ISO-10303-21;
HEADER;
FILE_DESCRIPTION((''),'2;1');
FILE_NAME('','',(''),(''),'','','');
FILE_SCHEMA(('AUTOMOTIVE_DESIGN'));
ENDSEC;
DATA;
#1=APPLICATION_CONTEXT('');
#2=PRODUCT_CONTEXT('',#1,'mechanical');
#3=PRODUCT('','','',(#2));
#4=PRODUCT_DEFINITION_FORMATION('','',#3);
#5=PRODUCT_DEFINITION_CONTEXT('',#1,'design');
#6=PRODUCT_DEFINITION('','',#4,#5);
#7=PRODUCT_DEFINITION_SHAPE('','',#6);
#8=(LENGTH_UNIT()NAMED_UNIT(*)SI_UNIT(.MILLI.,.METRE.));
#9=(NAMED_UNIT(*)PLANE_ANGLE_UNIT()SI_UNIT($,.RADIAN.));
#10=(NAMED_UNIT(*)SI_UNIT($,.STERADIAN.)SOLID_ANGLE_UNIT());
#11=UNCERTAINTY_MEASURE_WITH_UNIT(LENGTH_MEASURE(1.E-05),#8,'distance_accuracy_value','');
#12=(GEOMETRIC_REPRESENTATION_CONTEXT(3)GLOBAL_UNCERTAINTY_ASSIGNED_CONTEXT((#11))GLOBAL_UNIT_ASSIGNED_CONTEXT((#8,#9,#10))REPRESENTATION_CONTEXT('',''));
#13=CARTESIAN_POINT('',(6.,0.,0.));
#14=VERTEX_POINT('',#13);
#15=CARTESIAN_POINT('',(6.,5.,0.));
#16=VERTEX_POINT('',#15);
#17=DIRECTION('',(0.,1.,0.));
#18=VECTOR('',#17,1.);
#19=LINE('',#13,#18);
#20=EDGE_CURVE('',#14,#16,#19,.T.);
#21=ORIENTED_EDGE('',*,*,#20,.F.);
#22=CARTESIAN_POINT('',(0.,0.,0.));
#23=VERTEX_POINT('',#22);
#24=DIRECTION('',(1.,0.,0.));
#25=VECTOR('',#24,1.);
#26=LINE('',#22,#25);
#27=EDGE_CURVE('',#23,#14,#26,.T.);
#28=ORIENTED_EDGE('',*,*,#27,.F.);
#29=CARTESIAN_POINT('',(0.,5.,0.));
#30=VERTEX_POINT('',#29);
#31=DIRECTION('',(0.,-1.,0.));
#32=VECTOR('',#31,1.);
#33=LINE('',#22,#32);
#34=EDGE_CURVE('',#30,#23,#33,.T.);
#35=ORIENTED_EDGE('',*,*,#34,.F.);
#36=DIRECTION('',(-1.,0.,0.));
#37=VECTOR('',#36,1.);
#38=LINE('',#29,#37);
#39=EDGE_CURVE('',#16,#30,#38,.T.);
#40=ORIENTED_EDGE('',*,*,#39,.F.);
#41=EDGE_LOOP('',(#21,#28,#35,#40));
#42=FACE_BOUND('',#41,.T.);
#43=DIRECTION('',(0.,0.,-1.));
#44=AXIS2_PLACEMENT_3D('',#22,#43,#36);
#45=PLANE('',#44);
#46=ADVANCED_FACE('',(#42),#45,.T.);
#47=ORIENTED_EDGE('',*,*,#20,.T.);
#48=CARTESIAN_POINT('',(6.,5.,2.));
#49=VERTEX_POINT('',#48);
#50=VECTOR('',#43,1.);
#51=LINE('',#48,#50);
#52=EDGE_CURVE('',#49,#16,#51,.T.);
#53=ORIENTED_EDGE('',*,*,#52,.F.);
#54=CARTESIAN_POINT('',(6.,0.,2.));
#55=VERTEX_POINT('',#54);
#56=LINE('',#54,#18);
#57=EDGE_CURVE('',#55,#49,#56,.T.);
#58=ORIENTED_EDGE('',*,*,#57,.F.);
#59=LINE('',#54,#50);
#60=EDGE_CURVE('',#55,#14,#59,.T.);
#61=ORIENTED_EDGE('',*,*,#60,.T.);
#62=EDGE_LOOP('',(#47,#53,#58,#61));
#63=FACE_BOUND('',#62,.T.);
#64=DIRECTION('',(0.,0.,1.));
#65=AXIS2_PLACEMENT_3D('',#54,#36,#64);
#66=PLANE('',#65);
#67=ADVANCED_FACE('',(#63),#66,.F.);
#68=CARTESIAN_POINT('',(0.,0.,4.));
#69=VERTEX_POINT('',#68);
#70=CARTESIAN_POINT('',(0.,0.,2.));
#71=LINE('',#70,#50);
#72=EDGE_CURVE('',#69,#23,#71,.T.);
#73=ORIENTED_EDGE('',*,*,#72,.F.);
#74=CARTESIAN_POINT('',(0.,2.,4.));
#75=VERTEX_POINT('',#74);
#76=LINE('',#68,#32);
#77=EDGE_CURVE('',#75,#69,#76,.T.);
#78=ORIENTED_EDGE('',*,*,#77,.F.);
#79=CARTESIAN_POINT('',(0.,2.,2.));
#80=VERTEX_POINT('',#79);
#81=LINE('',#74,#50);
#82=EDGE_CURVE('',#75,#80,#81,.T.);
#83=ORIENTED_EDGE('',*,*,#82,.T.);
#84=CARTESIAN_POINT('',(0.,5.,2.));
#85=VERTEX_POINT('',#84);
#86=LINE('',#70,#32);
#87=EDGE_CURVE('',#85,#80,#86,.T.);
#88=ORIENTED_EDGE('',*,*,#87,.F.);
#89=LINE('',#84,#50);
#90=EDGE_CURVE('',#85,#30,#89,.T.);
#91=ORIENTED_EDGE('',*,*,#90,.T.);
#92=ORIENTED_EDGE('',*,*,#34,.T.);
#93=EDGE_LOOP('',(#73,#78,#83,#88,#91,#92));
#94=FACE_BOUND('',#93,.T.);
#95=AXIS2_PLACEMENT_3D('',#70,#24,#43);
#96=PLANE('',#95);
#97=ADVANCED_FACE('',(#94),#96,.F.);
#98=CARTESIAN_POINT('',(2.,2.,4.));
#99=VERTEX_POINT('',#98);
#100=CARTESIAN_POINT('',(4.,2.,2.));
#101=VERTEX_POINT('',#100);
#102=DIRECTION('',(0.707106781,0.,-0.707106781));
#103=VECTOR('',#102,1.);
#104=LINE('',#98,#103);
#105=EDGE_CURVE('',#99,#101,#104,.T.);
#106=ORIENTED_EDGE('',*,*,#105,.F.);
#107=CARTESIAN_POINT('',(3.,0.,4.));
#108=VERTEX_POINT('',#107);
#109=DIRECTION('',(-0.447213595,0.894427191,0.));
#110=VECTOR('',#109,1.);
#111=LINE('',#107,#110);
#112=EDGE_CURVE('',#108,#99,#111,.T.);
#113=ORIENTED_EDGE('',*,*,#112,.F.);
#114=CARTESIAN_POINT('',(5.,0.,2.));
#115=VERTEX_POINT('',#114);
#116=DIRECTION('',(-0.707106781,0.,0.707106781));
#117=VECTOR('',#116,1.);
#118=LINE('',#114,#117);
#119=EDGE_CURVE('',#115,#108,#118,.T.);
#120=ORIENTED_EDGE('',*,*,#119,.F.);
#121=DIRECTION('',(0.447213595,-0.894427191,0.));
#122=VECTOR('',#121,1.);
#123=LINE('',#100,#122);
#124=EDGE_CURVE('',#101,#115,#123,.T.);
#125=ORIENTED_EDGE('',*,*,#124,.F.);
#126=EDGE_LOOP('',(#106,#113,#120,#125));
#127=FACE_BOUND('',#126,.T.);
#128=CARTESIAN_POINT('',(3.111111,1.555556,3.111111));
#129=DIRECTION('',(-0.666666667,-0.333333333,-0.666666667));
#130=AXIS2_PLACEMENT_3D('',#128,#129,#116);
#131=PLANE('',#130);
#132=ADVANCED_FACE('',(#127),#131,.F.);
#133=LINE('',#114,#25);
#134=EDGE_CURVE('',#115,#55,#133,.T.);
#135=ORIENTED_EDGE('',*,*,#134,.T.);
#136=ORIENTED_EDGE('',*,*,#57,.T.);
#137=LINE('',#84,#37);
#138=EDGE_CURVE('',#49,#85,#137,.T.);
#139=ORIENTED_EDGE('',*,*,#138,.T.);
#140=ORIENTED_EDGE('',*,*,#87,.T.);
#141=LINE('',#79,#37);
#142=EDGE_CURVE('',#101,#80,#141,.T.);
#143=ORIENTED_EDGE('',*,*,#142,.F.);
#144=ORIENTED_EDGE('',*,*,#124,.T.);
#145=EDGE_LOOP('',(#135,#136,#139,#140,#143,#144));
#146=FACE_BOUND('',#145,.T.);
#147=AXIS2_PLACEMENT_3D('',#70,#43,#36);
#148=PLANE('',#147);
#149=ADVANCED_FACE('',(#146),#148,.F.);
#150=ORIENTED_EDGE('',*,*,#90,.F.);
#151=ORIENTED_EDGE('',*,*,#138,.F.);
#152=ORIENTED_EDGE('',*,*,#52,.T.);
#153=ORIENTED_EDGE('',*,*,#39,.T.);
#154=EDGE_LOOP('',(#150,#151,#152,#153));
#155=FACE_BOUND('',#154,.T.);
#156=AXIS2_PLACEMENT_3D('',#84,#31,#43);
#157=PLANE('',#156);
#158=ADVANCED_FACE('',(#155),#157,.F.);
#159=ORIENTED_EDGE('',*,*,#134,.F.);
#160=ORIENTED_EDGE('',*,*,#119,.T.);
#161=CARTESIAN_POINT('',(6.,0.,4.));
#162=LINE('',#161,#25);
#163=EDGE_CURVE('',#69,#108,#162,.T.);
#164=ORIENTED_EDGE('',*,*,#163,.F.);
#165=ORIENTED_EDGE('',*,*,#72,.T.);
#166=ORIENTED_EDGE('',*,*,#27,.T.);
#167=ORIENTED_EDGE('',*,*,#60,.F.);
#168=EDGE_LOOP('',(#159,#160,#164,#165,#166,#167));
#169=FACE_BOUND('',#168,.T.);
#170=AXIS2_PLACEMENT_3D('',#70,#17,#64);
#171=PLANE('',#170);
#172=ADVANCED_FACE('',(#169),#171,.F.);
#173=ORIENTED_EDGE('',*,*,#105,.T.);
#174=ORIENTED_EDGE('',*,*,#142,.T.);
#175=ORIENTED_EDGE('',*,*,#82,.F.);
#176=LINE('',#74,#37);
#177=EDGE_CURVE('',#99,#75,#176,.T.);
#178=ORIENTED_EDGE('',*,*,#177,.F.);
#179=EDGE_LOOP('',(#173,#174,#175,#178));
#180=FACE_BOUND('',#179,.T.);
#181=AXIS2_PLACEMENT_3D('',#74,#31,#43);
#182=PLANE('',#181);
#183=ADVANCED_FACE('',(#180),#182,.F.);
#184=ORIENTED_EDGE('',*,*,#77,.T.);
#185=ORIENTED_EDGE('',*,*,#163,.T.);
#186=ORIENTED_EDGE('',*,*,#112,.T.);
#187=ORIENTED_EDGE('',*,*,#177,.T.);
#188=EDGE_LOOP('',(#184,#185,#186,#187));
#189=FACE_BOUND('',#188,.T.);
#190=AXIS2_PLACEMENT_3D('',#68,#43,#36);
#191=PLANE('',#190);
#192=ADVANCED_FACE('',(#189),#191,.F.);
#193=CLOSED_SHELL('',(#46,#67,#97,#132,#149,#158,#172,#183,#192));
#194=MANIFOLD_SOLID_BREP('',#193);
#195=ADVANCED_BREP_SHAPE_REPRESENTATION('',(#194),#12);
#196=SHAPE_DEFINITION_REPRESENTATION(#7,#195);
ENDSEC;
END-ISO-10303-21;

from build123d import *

# Parameters (mm, degrees)
SKETCH1_W           = 6
SKETCH1_H           = 5
BOSS_EXTRUDE1_DEPTH = 2
BOSS_EXTRUDE2_DEPTH = 2
CUT_EXTRUDE1_DEPTH  = 10


with BuildPart() as part:
    # Sketch1 → Boss-Extrude1 (new body)
    with BuildSketch(Plane.XY):
        with Locations((3, 2.5)):
            Rectangle(SKETCH1_W, SKETCH1_H)
    extrude(amount=BOSS_EXTRUDE1_DEPTH)

    # Sketch2 → Boss-Extrude2 (add)
    with BuildSketch(Plane.XY.offset(2)):
        Polygon((0, 0), (0, 2), (4, 2), (6, 0), align=None)
    extrude(amount=BOSS_EXTRUDE2_DEPTH)

    # 3DSketch1 → Cut-Extrude1 (cut, along a direction that is not the sketch's normal)
    with BuildSketch(Plane(origin=(5, 0, 2), x_dir=(-0.727606875108999, 0.485071250072666, 0.485071250072666), z_dir=(0.6666666666666666, 0.3333333333333333, 0.6666666666666666))):
        Polygon((0, 0), (2.42535625, 1.45521375), (4.123105626, 0), (1.697749375, -1.45521375), align=None)
    extrude(amount=CUT_EXTRUDE1_DEPTH, dir=(1, 0, 0), mode=Mode.SUBTRACT)


solid = part.part
